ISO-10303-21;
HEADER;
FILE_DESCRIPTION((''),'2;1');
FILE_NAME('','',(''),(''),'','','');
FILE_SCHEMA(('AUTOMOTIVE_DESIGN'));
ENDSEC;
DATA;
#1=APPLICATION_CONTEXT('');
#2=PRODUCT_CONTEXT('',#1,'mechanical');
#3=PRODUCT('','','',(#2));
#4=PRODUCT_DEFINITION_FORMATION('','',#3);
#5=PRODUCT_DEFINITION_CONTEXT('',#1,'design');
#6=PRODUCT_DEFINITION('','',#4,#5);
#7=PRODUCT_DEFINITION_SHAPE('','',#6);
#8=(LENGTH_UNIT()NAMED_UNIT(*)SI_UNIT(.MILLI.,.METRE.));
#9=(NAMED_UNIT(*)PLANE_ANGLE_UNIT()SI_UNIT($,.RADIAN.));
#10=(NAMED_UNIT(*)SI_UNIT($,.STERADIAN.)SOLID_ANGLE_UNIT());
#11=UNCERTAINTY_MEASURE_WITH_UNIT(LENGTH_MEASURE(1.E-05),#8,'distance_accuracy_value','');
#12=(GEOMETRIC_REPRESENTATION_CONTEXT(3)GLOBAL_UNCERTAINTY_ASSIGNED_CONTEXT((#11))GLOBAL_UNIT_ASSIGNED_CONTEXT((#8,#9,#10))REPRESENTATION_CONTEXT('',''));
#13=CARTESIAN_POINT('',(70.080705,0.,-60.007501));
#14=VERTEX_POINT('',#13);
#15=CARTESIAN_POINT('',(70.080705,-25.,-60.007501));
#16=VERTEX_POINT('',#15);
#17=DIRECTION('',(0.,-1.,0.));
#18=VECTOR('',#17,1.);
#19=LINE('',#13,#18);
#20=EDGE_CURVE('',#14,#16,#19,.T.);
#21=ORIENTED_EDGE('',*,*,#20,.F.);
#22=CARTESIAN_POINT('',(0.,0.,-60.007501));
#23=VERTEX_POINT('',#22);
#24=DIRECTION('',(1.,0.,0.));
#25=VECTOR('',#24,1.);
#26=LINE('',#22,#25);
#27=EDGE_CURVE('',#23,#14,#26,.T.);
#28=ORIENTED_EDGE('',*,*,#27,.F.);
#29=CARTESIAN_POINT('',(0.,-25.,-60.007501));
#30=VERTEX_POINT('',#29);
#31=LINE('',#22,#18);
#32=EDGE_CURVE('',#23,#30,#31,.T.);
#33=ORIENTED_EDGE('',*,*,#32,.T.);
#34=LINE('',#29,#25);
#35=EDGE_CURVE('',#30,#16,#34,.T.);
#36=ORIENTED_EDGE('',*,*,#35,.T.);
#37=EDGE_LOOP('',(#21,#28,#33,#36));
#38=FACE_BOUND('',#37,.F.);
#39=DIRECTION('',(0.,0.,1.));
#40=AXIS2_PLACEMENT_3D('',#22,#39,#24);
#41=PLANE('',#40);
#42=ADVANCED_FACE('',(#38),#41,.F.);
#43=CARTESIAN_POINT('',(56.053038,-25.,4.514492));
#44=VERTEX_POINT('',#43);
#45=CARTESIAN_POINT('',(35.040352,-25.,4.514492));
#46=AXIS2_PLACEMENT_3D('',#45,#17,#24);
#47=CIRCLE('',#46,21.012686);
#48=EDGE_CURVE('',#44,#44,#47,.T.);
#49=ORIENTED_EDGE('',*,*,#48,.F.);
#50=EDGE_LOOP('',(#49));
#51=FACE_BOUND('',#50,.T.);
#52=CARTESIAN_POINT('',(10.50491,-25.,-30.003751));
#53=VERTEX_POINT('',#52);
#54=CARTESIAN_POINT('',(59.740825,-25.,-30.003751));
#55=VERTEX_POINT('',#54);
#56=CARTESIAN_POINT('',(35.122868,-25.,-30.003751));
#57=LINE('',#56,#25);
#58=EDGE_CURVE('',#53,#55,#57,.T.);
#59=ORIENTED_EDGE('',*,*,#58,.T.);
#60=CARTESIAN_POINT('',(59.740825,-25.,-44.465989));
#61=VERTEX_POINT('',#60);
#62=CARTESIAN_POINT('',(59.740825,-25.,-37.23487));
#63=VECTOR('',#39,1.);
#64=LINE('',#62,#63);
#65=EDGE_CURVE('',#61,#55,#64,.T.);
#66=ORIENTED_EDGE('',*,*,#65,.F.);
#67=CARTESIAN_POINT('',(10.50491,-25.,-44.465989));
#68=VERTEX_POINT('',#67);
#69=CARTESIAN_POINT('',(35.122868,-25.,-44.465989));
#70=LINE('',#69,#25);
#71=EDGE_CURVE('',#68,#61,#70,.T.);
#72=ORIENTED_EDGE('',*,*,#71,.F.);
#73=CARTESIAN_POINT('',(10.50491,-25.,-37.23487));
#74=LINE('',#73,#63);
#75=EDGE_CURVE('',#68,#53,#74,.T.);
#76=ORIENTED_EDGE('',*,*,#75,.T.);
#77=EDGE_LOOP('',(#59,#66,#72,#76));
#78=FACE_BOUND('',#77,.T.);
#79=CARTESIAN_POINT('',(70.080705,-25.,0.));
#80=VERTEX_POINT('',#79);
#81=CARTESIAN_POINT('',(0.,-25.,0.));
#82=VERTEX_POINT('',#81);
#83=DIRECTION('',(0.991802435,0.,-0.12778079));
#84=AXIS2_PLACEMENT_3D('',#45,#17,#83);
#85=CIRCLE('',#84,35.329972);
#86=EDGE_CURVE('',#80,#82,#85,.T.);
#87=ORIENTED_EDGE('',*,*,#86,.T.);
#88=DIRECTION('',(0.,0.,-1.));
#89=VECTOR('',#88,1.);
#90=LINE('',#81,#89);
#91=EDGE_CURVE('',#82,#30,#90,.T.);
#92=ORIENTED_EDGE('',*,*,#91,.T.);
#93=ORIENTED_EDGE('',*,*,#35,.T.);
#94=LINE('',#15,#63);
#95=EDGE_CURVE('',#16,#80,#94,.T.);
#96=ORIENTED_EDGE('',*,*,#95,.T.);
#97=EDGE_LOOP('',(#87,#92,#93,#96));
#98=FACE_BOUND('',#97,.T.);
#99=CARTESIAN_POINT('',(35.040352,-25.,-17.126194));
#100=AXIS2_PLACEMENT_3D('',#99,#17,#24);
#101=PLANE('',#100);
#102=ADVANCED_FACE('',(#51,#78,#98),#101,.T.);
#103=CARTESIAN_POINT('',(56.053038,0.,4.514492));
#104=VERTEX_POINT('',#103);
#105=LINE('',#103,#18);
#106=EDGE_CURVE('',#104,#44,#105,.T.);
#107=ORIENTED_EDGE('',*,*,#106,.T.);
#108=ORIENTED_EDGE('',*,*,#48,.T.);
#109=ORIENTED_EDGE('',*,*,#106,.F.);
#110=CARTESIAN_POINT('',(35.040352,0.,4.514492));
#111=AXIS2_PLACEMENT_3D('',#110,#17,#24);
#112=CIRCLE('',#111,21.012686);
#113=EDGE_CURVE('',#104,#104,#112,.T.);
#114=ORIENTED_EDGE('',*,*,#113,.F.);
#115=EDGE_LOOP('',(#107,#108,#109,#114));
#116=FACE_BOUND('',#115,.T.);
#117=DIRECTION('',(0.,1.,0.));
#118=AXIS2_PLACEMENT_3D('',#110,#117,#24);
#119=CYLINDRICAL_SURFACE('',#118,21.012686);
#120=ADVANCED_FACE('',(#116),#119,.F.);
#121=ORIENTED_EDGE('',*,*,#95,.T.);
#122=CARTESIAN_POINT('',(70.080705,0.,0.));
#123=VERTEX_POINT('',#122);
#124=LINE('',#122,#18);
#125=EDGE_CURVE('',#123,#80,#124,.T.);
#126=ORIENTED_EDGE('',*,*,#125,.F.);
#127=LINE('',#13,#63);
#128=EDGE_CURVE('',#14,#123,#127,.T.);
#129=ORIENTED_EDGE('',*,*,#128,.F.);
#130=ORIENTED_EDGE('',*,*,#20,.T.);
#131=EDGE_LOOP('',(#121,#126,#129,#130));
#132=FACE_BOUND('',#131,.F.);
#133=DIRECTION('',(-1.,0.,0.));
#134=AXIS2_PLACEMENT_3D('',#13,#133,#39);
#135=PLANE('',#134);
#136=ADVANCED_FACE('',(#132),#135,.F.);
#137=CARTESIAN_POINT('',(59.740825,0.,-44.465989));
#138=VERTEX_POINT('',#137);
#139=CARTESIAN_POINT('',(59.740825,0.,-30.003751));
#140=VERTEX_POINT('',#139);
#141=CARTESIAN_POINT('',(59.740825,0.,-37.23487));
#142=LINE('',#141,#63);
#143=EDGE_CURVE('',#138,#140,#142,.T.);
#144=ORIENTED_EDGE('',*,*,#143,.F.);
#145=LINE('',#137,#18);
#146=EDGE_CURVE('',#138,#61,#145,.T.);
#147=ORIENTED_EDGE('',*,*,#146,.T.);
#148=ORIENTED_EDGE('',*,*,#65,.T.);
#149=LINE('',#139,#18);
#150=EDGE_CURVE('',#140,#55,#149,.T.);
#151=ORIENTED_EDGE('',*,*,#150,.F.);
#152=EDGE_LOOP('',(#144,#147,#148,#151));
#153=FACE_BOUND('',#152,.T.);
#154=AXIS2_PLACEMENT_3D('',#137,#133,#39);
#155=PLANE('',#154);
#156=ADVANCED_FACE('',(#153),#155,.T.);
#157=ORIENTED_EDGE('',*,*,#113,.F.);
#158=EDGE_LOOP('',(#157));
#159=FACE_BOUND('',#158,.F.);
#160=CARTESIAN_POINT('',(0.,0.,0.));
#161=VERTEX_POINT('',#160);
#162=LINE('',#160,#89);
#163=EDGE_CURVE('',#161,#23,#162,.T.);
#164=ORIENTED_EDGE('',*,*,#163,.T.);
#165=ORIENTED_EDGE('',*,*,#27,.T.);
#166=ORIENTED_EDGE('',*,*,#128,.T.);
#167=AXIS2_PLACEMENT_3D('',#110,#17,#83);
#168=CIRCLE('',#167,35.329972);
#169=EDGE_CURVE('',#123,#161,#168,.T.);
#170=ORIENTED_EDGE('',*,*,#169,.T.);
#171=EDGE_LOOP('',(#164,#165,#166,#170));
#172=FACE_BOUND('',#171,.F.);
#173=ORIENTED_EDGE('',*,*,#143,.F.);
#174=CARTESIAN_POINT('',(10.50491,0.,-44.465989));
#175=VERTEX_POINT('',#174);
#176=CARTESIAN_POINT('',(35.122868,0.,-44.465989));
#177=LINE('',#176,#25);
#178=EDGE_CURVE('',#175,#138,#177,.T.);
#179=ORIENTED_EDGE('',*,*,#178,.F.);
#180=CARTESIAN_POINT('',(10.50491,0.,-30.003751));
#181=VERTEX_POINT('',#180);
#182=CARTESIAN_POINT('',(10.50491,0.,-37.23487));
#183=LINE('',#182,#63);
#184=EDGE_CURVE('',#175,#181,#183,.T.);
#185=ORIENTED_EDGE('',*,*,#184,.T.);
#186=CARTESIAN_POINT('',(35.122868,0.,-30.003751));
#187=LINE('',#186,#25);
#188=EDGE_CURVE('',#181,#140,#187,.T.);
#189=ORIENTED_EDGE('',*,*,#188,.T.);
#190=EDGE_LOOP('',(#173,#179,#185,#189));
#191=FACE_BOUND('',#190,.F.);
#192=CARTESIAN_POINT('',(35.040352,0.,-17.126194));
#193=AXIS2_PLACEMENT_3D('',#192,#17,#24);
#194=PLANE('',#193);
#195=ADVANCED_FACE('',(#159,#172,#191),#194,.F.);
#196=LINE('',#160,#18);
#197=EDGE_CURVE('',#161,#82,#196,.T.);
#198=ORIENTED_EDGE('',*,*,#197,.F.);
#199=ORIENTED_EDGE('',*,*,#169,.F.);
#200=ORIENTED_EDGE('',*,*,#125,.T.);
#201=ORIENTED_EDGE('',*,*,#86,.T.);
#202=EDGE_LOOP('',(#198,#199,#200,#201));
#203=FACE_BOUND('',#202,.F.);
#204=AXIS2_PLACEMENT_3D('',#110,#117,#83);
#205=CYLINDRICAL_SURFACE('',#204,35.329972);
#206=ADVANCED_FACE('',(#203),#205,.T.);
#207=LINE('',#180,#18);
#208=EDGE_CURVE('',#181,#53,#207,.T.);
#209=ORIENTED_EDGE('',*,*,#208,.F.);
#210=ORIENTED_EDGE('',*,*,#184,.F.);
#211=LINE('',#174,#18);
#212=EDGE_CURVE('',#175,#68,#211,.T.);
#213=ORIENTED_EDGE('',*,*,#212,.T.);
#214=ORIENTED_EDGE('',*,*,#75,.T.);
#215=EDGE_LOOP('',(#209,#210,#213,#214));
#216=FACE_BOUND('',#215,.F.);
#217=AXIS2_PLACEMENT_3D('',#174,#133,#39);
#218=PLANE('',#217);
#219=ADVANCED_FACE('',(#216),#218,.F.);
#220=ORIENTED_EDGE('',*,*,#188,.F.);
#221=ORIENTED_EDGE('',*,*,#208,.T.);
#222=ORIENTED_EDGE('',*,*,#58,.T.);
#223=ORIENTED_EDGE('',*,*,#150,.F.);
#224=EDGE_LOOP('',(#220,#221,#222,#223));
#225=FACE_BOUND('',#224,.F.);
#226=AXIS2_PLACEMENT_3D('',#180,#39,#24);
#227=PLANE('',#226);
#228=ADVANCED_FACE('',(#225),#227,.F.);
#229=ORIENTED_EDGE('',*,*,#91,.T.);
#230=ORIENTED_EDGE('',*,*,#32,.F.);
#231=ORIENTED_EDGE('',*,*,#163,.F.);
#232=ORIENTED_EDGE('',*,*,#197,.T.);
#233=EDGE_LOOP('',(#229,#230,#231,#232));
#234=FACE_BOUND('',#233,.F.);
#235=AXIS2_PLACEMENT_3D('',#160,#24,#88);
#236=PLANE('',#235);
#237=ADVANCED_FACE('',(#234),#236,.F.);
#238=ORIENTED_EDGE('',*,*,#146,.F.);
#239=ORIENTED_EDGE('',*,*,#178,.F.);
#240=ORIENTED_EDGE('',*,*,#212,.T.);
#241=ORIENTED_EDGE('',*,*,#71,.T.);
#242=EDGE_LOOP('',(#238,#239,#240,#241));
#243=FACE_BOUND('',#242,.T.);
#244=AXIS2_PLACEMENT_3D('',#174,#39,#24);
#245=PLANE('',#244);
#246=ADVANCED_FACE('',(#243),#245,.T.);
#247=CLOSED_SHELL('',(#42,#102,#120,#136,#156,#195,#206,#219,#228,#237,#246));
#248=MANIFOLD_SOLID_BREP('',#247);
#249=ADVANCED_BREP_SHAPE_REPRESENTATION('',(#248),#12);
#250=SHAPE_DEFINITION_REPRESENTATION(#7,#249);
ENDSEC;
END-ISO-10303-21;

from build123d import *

# Parameters (mm, degrees)
F0_W     = 49.235915
F0_H     = 14.462238
F0_R     = 21.012686
F1_DEPTH = 25


with BuildPart() as f1:
    # F0 (on Front) → F1 (new body)
    with BuildSketch(Plane.XZ):
        with BuildLine():
            ThreePointArc((70.080705, 0), (35.040352, 39.844464), (0, 0))
            Line((0, 0), (0, -60.007501))
            Line((0, -60.007501), (70.080705, -60.007501))
            Line((70.080705, -60.007501), (70.080705, 0))
        make_face()
        with Locations((35.122868, -37.23487)):
            Rectangle(F0_W, F0_H, mode=Mode.SUBTRACT)
        with Locations((35.040352, 4.514492)):
            Circle(F0_R, mode=Mode.SUBTRACT)
    extrude(amount=F1_DEPTH)


solid = f1.part
